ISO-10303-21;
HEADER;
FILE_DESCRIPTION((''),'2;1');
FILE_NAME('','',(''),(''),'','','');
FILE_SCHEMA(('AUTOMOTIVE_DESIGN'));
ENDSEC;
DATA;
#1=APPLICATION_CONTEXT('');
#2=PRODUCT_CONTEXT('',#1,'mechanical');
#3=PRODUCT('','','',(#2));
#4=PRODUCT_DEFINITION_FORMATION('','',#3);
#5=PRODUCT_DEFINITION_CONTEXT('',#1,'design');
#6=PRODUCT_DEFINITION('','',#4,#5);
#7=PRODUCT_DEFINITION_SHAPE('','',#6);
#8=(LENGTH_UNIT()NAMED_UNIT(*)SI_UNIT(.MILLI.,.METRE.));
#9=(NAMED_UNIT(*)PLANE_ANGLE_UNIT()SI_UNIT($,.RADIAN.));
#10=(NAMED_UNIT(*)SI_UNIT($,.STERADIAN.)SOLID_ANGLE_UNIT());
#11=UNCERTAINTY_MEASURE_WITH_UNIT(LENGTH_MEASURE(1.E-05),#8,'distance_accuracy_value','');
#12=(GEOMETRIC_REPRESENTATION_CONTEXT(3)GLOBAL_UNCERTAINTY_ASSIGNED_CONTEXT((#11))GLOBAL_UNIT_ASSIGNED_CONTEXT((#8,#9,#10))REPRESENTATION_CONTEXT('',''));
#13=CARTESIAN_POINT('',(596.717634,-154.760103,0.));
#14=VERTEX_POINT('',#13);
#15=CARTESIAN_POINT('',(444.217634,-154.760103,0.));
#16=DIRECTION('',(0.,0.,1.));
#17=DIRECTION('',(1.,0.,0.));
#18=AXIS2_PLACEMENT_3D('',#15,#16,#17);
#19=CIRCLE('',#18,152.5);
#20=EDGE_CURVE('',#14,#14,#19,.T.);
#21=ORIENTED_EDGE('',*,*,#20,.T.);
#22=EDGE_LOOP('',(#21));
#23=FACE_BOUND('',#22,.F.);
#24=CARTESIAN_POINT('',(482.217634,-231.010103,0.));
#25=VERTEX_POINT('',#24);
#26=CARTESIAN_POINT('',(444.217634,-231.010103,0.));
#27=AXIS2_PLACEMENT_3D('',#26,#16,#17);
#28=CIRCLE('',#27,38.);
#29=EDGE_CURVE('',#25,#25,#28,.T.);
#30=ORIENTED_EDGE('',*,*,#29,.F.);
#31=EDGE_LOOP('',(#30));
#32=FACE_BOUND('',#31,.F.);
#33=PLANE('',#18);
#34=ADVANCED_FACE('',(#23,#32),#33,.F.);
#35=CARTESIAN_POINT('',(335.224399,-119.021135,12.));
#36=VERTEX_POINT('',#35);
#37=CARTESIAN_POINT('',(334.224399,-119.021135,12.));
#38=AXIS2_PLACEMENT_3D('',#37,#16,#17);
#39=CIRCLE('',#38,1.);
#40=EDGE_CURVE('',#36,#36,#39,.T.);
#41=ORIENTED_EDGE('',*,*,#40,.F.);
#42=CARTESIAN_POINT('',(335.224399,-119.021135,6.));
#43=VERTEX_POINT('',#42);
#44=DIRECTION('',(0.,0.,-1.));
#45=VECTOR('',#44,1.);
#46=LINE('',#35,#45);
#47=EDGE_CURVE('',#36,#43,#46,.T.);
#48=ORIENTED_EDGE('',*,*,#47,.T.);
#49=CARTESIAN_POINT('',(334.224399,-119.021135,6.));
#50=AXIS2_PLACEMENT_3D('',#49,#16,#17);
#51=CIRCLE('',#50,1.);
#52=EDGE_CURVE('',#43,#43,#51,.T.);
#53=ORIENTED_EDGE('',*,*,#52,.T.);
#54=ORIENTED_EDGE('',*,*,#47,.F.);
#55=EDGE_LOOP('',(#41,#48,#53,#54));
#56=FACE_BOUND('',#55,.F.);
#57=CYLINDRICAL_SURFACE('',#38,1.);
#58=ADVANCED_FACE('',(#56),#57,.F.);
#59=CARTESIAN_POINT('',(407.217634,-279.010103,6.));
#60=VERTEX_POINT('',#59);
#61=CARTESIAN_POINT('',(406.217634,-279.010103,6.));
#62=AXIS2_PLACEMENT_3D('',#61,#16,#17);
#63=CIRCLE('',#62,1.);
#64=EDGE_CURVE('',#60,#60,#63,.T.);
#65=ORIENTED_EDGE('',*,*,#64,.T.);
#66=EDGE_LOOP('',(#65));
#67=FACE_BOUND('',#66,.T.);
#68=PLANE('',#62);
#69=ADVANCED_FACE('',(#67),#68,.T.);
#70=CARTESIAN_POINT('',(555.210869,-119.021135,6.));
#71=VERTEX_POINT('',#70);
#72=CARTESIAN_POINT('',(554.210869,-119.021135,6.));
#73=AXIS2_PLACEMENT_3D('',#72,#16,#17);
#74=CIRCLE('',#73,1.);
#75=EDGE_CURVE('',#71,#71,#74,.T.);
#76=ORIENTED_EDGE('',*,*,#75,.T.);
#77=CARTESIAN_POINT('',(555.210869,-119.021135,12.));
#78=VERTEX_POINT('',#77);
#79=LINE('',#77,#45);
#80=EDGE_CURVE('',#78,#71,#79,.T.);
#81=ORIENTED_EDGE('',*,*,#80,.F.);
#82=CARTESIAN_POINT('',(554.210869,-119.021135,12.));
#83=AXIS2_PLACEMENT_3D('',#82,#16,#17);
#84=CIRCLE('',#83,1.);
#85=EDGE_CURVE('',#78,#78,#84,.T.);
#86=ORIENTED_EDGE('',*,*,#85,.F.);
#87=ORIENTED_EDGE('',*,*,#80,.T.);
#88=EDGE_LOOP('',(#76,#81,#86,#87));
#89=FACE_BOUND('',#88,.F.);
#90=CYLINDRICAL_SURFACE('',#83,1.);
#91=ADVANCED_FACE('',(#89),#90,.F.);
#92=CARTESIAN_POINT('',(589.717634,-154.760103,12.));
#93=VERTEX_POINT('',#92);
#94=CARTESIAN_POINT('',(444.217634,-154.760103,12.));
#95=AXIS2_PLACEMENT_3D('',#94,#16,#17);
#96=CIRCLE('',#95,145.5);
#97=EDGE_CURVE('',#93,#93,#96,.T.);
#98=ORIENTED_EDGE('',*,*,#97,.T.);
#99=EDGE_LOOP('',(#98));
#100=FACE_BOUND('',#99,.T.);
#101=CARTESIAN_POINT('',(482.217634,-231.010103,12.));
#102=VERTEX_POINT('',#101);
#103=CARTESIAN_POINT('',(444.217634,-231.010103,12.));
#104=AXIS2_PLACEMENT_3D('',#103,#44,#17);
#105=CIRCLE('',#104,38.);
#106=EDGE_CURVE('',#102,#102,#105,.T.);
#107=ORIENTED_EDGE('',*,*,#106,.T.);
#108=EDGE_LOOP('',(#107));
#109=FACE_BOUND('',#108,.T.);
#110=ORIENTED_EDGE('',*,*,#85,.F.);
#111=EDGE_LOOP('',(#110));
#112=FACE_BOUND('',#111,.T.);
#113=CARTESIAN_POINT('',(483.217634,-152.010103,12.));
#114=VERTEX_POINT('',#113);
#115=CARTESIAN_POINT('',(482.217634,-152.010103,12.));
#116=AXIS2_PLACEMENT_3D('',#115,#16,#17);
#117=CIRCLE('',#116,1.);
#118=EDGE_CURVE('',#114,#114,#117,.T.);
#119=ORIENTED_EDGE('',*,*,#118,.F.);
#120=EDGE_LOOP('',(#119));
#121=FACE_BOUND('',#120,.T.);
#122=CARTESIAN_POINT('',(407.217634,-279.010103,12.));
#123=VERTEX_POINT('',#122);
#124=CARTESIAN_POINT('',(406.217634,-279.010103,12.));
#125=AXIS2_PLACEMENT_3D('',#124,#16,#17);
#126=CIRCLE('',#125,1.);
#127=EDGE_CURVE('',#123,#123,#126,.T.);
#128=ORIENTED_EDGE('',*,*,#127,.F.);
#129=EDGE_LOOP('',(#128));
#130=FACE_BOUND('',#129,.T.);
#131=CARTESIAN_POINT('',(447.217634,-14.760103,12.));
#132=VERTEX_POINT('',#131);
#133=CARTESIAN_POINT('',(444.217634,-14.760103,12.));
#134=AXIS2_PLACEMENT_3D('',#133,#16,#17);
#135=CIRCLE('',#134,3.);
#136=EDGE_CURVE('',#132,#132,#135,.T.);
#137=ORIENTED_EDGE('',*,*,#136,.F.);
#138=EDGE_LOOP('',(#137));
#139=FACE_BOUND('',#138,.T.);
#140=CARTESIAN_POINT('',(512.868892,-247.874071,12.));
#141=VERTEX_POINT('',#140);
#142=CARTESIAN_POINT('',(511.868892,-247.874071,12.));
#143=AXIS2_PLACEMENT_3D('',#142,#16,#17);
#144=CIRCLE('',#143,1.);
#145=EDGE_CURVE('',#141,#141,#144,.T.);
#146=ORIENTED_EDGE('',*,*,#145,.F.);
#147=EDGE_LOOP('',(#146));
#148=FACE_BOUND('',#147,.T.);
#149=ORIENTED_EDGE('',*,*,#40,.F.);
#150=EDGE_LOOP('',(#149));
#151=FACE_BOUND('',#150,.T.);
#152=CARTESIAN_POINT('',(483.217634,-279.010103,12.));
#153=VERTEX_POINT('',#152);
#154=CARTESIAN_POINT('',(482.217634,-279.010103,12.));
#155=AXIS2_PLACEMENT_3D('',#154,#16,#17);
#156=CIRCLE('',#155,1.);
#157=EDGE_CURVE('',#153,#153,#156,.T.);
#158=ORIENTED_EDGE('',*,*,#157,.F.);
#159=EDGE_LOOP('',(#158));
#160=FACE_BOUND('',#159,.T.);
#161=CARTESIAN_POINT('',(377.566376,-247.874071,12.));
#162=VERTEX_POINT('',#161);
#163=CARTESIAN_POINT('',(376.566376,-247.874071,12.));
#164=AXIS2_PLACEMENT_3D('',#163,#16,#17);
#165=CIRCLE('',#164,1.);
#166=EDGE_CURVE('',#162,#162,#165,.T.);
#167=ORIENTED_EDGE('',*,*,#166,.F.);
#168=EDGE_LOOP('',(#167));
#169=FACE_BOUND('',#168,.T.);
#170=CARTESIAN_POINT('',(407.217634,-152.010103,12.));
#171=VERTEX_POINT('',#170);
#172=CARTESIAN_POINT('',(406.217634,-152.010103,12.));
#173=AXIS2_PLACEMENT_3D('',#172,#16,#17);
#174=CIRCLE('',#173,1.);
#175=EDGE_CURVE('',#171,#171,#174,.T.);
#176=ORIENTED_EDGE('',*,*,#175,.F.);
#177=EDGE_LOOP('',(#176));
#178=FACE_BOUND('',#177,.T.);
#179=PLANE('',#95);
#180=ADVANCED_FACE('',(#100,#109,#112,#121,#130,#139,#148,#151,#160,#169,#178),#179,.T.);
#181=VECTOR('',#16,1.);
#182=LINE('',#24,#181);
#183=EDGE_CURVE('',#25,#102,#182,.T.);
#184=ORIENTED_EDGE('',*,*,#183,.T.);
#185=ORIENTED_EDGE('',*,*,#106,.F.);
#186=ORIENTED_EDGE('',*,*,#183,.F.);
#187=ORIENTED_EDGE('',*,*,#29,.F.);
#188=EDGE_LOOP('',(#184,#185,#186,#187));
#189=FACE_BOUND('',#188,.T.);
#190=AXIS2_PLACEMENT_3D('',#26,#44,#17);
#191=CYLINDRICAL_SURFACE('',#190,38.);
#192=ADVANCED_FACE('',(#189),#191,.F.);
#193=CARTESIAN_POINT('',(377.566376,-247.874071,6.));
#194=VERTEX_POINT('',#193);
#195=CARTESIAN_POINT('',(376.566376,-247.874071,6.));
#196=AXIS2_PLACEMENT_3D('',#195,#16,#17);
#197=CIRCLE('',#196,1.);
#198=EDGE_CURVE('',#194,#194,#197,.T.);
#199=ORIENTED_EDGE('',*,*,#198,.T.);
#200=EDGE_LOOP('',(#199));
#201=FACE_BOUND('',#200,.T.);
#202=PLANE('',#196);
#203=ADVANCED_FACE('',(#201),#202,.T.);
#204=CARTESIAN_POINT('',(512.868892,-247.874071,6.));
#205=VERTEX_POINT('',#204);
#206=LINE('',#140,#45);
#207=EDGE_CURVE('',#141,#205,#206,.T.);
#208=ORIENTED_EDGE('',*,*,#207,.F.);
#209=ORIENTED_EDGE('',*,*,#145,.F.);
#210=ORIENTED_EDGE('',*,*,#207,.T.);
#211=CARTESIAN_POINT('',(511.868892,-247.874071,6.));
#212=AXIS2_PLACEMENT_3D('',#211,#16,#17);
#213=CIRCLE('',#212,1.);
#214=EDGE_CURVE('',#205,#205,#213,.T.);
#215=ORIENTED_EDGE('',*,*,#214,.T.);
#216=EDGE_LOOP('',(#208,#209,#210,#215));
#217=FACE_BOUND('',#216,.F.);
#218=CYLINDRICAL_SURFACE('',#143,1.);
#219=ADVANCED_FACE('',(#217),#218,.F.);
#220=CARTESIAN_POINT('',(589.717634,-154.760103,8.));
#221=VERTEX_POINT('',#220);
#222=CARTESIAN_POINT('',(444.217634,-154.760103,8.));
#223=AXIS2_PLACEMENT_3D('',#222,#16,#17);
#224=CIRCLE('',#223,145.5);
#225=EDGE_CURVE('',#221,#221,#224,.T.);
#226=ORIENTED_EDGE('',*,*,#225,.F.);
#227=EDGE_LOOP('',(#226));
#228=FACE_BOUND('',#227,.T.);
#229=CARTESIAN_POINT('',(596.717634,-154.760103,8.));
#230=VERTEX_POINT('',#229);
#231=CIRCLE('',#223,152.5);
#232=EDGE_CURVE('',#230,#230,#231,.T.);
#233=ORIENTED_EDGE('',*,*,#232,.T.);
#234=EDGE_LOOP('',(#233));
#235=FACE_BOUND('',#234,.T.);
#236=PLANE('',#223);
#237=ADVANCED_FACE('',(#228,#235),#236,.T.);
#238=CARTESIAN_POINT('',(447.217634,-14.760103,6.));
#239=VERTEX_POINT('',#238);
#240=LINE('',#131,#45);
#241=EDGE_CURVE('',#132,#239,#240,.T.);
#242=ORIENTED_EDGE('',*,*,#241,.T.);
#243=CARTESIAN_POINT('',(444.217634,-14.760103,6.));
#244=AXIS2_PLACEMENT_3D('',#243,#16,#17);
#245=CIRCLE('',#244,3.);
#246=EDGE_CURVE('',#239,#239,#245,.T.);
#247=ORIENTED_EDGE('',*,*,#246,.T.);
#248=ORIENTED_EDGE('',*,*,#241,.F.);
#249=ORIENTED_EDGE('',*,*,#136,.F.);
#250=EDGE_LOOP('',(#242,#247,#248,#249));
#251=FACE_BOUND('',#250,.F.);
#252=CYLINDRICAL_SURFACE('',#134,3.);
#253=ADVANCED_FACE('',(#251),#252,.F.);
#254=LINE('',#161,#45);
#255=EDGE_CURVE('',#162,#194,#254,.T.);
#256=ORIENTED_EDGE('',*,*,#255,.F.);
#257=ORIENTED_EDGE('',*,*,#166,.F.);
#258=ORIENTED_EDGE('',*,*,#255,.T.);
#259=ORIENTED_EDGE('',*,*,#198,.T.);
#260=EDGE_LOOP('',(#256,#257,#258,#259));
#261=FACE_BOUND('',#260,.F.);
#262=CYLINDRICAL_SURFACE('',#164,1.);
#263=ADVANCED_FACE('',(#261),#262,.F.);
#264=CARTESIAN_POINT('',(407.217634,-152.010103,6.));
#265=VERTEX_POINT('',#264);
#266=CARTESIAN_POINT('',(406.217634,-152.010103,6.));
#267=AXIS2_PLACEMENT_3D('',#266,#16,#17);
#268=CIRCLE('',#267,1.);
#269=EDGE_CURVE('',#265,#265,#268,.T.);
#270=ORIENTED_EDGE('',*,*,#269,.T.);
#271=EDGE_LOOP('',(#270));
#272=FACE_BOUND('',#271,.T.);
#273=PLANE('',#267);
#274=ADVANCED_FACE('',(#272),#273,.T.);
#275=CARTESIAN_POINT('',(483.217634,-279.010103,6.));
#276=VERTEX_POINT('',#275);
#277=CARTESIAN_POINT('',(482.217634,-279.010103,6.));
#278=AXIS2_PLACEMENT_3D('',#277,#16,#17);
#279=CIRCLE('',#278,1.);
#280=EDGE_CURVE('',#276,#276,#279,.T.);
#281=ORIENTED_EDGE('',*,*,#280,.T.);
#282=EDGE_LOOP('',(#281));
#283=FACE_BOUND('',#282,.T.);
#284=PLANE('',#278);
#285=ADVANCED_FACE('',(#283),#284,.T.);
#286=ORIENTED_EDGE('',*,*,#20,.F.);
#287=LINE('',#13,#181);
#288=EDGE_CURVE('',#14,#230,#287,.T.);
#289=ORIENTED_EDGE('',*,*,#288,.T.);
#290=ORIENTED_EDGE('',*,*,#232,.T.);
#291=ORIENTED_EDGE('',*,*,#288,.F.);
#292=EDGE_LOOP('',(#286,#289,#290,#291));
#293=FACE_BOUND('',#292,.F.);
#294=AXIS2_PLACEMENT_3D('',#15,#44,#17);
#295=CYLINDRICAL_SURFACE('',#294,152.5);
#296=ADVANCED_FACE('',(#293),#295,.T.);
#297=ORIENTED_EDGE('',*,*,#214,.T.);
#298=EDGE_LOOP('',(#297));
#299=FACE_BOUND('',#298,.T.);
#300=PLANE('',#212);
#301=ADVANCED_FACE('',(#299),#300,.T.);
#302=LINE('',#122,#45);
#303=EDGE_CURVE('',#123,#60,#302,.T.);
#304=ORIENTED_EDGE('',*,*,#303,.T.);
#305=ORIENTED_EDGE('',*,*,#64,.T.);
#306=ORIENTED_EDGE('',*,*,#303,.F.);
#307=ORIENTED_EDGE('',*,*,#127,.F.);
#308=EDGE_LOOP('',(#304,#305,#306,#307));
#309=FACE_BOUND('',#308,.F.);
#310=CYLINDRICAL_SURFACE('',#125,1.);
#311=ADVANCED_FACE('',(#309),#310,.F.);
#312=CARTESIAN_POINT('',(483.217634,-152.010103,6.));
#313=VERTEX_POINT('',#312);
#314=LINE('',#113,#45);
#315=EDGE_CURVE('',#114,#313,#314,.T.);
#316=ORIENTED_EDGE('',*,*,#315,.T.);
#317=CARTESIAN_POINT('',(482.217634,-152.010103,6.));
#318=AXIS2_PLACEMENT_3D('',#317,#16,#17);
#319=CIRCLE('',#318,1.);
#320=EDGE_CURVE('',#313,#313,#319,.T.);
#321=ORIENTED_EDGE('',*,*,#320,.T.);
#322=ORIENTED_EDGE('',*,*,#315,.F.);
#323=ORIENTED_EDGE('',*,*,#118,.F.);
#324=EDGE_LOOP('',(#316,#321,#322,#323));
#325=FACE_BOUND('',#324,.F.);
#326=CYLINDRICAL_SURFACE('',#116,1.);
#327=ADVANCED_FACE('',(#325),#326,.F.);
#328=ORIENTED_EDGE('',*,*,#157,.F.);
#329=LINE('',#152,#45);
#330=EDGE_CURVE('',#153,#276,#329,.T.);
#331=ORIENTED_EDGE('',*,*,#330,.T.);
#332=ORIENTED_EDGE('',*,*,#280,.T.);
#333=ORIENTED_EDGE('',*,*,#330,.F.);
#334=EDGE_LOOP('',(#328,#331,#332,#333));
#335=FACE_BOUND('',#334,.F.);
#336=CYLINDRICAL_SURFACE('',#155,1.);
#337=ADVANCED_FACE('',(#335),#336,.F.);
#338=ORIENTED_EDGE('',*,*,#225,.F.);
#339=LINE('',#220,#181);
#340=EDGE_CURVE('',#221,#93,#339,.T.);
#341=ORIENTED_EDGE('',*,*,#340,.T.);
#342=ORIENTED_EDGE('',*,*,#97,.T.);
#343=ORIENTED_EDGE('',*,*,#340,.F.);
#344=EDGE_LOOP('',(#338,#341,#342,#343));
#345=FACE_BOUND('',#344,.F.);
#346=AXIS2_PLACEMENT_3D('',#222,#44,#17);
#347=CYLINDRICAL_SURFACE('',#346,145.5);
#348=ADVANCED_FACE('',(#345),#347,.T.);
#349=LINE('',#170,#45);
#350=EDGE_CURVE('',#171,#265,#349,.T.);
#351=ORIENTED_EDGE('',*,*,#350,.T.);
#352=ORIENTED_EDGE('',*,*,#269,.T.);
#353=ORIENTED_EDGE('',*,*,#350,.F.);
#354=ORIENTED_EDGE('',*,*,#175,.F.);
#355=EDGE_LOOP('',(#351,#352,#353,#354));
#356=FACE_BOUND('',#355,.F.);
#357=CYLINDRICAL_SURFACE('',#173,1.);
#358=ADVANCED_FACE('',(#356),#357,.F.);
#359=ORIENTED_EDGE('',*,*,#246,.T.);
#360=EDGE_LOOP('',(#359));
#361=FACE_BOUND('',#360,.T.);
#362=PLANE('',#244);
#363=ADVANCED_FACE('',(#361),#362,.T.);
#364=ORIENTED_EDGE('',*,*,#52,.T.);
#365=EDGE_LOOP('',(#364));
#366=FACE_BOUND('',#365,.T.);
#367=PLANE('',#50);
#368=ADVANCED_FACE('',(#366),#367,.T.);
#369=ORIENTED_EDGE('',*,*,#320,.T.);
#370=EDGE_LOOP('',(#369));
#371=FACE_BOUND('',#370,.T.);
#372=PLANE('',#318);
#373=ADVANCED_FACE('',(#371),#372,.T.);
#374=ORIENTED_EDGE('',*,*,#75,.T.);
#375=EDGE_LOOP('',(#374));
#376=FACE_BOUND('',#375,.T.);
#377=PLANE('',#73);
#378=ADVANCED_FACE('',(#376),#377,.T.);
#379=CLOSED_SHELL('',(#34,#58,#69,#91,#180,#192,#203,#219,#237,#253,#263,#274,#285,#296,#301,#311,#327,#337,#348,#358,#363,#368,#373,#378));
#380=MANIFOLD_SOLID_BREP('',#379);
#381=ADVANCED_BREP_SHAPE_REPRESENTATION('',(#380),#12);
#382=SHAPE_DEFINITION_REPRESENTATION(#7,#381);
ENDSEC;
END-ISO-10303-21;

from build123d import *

# Parameters (mm, degrees)
SKETCH058_R     = 152.5
PAD_DEPTH       = 8
SKETCH059_R     = 145.5
PAD017_DEPTH    = 4
SKETCH003_R     = 38
POCKET_DEPTH    = 12.001
SKETCH054_R     = 3
SKETCH054_R_2   = 1
POCKET019_DEPTH = 6


with BuildPart() as part:
    # Sketch058 → Pad (new body)
    with BuildSketch(Plane.XY):
        Circle(SKETCH058_R)
    extrude(amount=PAD_DEPTH)

    # Sketch059 (on DatumPlane) → Pad017 (join)
    with BuildSketch(Plane.XY.offset(8)):
        Circle(SKETCH059_R)
    extrude(amount=PAD017_DEPTH)

    # Sketch003 → Pocket (cut, through all)
    with BuildSketch(Plane.XY):
        with Locations((0, -76.25)):
            Circle(SKETCH003_R)
    extrude(amount=POCKET_DEPTH, mode=Mode.SUBTRACT)

    # Sketch054 → Pocket019 (cut)
    with BuildSketch(Plane.XY.offset(12)):
        with Locations((0, 140)):
            Circle(SKETCH054_R)
        with Locations((109.993235, 35.738968)):
            Circle(SKETCH054_R_2)
        with Locations((67.651258, -93.113968)):
            Circle(SKETCH054_R_2)
        with Locations((-67.651258, -93.113968)):
            Circle(SKETCH054_R_2)
        with Locations((-109.993235, 35.738968)):
            Circle(SKETCH054_R_2)
        with Locations((-38, 2.75)):
            Circle(SKETCH054_R_2)
        with Locations((38, 2.75)):
            Circle(SKETCH054_R_2)
        with Locations((-38, -124.25)):
            Circle(SKETCH054_R_2)
        with Locations((38, -124.25)):
            Circle(SKETCH054_R_2)
    extrude(amount=-POCKET019_DEPTH, mode=Mode.SUBTRACT)


with BuildPart() as part_1:
    # Body placement: moved
    add(part.part.moved(Location((444.217634, -154.760103, 0))))


solid = part_1.part
